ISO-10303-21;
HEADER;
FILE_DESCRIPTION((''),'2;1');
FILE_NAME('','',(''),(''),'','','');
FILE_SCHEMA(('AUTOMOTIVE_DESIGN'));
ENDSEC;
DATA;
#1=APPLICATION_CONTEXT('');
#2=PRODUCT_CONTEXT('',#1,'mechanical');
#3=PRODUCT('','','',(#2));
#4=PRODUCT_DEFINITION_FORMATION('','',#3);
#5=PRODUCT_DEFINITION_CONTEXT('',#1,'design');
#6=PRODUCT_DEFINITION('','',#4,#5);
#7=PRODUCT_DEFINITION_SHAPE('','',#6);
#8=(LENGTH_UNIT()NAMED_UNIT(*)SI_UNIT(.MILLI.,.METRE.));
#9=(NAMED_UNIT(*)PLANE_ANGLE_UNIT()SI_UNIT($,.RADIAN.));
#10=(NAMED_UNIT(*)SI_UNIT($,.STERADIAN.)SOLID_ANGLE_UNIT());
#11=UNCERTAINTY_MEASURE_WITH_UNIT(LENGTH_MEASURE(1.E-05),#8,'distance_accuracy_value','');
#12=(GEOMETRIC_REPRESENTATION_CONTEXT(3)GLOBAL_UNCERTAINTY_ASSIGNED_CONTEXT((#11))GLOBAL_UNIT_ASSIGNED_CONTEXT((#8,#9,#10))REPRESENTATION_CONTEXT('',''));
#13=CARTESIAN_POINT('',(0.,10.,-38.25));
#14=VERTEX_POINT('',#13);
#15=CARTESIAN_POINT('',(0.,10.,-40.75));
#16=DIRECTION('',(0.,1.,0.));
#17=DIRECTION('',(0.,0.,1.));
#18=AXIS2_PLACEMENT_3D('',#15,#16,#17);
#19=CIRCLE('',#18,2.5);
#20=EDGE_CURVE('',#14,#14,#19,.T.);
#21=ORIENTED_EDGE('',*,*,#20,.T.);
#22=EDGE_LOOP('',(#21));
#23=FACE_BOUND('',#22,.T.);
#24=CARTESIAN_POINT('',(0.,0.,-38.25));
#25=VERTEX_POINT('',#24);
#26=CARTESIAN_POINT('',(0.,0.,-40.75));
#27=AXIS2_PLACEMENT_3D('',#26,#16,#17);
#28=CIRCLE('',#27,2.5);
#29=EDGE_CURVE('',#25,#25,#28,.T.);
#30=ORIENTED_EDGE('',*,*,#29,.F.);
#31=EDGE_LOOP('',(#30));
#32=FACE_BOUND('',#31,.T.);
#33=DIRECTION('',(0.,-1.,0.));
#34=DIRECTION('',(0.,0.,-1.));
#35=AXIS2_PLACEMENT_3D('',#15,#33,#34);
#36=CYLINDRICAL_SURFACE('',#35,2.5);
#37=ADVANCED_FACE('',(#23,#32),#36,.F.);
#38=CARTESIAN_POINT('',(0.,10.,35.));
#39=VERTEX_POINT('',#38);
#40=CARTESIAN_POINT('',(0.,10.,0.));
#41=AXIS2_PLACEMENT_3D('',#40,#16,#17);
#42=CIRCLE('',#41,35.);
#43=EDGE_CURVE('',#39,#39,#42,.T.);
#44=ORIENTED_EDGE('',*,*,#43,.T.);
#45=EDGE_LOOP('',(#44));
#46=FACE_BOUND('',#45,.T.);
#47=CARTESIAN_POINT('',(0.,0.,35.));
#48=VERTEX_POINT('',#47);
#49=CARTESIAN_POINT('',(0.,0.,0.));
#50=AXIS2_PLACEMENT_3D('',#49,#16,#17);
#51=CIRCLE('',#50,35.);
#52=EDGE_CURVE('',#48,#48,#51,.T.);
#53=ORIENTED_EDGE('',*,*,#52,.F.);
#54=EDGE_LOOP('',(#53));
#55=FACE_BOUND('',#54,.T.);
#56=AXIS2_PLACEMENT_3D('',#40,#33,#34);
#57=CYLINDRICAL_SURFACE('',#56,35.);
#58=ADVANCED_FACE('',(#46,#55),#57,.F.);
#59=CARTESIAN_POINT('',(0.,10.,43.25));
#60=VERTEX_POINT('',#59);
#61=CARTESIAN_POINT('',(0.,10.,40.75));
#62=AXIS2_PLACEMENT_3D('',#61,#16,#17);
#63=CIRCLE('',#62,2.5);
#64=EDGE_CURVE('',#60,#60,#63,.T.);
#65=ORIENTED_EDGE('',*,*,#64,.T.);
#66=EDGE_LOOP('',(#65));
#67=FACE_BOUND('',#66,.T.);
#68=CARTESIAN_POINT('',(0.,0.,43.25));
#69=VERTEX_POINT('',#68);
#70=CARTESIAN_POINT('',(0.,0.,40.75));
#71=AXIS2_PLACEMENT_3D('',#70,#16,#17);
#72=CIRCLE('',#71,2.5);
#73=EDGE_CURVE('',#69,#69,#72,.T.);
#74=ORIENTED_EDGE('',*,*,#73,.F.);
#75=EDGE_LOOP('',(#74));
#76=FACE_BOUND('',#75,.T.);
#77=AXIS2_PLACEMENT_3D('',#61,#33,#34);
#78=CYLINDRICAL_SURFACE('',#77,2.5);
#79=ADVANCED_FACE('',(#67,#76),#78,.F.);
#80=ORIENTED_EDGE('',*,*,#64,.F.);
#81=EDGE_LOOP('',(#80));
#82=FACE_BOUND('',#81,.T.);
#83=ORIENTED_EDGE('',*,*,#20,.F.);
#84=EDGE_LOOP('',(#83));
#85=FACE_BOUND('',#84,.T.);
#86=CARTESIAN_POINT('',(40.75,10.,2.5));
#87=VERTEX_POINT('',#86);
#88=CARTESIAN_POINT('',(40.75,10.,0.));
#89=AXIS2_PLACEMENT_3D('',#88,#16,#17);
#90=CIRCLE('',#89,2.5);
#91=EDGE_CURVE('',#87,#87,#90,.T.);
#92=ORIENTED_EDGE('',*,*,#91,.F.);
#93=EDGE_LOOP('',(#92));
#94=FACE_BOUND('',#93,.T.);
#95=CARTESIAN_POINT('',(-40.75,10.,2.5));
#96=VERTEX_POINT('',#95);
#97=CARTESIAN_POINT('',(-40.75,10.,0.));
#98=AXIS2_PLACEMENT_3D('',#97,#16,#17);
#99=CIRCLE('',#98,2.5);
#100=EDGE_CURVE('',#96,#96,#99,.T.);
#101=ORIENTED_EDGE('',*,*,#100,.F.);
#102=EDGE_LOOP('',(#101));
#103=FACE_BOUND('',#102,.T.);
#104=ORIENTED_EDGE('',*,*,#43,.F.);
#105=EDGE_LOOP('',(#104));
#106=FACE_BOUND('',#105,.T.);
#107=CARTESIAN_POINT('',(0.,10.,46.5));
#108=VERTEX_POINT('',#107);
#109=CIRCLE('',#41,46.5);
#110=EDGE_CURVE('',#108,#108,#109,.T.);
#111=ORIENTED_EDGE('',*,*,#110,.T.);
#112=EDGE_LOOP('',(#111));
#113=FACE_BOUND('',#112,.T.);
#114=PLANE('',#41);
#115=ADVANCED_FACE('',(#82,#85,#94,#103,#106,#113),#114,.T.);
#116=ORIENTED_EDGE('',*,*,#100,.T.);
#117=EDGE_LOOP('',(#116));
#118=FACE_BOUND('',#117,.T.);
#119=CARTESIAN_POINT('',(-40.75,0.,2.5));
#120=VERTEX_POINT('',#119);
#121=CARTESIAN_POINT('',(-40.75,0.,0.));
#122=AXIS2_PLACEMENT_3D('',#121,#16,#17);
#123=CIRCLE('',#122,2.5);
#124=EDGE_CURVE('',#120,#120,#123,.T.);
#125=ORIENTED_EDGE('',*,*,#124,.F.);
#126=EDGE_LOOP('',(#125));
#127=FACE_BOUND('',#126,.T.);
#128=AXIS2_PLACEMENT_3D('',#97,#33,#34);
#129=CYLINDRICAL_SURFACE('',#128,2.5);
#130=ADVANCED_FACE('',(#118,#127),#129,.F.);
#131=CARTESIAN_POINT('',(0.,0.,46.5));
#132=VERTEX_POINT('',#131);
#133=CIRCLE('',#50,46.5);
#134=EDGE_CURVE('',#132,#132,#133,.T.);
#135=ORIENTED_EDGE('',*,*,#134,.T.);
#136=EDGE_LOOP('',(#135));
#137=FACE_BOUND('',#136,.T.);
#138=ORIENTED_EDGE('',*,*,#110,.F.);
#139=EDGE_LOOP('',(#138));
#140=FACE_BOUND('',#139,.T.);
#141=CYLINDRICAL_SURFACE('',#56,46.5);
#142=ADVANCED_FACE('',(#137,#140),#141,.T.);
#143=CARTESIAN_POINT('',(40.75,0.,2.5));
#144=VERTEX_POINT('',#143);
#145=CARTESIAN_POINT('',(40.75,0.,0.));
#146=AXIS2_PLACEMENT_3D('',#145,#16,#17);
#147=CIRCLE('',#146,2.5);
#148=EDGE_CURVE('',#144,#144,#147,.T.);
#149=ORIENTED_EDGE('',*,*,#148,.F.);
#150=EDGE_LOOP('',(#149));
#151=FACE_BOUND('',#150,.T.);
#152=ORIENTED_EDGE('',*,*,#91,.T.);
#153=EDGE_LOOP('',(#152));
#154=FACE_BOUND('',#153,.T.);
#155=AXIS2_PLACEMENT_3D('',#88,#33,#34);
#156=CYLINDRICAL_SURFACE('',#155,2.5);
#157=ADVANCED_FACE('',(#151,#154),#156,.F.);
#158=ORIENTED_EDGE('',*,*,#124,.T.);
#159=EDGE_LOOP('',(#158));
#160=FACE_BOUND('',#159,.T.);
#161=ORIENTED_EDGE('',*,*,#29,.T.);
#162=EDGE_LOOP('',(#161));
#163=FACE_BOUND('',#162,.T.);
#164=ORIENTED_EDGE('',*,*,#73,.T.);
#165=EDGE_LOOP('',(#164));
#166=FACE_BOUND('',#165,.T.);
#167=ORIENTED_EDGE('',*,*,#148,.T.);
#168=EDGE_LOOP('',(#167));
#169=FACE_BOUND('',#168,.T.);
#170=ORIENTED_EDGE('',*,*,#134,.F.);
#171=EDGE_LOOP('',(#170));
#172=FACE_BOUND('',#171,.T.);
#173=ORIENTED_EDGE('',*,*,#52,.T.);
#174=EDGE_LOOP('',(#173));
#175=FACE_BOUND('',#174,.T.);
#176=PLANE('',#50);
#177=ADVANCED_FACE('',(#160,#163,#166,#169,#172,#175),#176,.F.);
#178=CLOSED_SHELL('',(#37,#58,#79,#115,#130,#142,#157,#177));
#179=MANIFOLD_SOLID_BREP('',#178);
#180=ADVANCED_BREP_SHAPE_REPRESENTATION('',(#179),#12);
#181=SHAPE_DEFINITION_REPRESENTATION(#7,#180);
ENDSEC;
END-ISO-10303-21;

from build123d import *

# Parameters (mm, degrees)
SKETCH1_R           = 46.5
SKETCH1_R_2         = 35
SKETCH1_R_3         = 2.5
BOSS_EXTRUDE1_DEPTH = 10


with BuildPart() as part:
    # Sketch1 → Boss-Extrude1 (new body)
    with BuildSketch(Plane(origin=(0, 0, 0), x_dir=(1, 0, 0), z_dir=(0, 1, 0))):
        with Locations(Location((0, 0, 0), (0, 0, 270))):
            Circle(SKETCH1_R)
        with Locations(Location((0, 0, 0), (0, 0, 270))):
            Circle(SKETCH1_R_2, mode=Mode.SUBTRACT)
        with Locations(Location((-40.75, 0, 0), (0, 0, 270))):
            Circle(SKETCH1_R_3, mode=Mode.SUBTRACT)
        with Locations(Location((0, 40.75, 0), (0, 0, 270))):
            Circle(SKETCH1_R_3, mode=Mode.SUBTRACT)
        with Locations(Location((40.75, 0, 0), (0, 0, 270))):
            Circle(SKETCH1_R_3, mode=Mode.SUBTRACT)
        with Locations(Location((0, -40.75, 0), (0, 0, 270))):
            Circle(SKETCH1_R_3, mode=Mode.SUBTRACT)
    extrude(amount=BOSS_EXTRUDE1_DEPTH)


solid = part.part
